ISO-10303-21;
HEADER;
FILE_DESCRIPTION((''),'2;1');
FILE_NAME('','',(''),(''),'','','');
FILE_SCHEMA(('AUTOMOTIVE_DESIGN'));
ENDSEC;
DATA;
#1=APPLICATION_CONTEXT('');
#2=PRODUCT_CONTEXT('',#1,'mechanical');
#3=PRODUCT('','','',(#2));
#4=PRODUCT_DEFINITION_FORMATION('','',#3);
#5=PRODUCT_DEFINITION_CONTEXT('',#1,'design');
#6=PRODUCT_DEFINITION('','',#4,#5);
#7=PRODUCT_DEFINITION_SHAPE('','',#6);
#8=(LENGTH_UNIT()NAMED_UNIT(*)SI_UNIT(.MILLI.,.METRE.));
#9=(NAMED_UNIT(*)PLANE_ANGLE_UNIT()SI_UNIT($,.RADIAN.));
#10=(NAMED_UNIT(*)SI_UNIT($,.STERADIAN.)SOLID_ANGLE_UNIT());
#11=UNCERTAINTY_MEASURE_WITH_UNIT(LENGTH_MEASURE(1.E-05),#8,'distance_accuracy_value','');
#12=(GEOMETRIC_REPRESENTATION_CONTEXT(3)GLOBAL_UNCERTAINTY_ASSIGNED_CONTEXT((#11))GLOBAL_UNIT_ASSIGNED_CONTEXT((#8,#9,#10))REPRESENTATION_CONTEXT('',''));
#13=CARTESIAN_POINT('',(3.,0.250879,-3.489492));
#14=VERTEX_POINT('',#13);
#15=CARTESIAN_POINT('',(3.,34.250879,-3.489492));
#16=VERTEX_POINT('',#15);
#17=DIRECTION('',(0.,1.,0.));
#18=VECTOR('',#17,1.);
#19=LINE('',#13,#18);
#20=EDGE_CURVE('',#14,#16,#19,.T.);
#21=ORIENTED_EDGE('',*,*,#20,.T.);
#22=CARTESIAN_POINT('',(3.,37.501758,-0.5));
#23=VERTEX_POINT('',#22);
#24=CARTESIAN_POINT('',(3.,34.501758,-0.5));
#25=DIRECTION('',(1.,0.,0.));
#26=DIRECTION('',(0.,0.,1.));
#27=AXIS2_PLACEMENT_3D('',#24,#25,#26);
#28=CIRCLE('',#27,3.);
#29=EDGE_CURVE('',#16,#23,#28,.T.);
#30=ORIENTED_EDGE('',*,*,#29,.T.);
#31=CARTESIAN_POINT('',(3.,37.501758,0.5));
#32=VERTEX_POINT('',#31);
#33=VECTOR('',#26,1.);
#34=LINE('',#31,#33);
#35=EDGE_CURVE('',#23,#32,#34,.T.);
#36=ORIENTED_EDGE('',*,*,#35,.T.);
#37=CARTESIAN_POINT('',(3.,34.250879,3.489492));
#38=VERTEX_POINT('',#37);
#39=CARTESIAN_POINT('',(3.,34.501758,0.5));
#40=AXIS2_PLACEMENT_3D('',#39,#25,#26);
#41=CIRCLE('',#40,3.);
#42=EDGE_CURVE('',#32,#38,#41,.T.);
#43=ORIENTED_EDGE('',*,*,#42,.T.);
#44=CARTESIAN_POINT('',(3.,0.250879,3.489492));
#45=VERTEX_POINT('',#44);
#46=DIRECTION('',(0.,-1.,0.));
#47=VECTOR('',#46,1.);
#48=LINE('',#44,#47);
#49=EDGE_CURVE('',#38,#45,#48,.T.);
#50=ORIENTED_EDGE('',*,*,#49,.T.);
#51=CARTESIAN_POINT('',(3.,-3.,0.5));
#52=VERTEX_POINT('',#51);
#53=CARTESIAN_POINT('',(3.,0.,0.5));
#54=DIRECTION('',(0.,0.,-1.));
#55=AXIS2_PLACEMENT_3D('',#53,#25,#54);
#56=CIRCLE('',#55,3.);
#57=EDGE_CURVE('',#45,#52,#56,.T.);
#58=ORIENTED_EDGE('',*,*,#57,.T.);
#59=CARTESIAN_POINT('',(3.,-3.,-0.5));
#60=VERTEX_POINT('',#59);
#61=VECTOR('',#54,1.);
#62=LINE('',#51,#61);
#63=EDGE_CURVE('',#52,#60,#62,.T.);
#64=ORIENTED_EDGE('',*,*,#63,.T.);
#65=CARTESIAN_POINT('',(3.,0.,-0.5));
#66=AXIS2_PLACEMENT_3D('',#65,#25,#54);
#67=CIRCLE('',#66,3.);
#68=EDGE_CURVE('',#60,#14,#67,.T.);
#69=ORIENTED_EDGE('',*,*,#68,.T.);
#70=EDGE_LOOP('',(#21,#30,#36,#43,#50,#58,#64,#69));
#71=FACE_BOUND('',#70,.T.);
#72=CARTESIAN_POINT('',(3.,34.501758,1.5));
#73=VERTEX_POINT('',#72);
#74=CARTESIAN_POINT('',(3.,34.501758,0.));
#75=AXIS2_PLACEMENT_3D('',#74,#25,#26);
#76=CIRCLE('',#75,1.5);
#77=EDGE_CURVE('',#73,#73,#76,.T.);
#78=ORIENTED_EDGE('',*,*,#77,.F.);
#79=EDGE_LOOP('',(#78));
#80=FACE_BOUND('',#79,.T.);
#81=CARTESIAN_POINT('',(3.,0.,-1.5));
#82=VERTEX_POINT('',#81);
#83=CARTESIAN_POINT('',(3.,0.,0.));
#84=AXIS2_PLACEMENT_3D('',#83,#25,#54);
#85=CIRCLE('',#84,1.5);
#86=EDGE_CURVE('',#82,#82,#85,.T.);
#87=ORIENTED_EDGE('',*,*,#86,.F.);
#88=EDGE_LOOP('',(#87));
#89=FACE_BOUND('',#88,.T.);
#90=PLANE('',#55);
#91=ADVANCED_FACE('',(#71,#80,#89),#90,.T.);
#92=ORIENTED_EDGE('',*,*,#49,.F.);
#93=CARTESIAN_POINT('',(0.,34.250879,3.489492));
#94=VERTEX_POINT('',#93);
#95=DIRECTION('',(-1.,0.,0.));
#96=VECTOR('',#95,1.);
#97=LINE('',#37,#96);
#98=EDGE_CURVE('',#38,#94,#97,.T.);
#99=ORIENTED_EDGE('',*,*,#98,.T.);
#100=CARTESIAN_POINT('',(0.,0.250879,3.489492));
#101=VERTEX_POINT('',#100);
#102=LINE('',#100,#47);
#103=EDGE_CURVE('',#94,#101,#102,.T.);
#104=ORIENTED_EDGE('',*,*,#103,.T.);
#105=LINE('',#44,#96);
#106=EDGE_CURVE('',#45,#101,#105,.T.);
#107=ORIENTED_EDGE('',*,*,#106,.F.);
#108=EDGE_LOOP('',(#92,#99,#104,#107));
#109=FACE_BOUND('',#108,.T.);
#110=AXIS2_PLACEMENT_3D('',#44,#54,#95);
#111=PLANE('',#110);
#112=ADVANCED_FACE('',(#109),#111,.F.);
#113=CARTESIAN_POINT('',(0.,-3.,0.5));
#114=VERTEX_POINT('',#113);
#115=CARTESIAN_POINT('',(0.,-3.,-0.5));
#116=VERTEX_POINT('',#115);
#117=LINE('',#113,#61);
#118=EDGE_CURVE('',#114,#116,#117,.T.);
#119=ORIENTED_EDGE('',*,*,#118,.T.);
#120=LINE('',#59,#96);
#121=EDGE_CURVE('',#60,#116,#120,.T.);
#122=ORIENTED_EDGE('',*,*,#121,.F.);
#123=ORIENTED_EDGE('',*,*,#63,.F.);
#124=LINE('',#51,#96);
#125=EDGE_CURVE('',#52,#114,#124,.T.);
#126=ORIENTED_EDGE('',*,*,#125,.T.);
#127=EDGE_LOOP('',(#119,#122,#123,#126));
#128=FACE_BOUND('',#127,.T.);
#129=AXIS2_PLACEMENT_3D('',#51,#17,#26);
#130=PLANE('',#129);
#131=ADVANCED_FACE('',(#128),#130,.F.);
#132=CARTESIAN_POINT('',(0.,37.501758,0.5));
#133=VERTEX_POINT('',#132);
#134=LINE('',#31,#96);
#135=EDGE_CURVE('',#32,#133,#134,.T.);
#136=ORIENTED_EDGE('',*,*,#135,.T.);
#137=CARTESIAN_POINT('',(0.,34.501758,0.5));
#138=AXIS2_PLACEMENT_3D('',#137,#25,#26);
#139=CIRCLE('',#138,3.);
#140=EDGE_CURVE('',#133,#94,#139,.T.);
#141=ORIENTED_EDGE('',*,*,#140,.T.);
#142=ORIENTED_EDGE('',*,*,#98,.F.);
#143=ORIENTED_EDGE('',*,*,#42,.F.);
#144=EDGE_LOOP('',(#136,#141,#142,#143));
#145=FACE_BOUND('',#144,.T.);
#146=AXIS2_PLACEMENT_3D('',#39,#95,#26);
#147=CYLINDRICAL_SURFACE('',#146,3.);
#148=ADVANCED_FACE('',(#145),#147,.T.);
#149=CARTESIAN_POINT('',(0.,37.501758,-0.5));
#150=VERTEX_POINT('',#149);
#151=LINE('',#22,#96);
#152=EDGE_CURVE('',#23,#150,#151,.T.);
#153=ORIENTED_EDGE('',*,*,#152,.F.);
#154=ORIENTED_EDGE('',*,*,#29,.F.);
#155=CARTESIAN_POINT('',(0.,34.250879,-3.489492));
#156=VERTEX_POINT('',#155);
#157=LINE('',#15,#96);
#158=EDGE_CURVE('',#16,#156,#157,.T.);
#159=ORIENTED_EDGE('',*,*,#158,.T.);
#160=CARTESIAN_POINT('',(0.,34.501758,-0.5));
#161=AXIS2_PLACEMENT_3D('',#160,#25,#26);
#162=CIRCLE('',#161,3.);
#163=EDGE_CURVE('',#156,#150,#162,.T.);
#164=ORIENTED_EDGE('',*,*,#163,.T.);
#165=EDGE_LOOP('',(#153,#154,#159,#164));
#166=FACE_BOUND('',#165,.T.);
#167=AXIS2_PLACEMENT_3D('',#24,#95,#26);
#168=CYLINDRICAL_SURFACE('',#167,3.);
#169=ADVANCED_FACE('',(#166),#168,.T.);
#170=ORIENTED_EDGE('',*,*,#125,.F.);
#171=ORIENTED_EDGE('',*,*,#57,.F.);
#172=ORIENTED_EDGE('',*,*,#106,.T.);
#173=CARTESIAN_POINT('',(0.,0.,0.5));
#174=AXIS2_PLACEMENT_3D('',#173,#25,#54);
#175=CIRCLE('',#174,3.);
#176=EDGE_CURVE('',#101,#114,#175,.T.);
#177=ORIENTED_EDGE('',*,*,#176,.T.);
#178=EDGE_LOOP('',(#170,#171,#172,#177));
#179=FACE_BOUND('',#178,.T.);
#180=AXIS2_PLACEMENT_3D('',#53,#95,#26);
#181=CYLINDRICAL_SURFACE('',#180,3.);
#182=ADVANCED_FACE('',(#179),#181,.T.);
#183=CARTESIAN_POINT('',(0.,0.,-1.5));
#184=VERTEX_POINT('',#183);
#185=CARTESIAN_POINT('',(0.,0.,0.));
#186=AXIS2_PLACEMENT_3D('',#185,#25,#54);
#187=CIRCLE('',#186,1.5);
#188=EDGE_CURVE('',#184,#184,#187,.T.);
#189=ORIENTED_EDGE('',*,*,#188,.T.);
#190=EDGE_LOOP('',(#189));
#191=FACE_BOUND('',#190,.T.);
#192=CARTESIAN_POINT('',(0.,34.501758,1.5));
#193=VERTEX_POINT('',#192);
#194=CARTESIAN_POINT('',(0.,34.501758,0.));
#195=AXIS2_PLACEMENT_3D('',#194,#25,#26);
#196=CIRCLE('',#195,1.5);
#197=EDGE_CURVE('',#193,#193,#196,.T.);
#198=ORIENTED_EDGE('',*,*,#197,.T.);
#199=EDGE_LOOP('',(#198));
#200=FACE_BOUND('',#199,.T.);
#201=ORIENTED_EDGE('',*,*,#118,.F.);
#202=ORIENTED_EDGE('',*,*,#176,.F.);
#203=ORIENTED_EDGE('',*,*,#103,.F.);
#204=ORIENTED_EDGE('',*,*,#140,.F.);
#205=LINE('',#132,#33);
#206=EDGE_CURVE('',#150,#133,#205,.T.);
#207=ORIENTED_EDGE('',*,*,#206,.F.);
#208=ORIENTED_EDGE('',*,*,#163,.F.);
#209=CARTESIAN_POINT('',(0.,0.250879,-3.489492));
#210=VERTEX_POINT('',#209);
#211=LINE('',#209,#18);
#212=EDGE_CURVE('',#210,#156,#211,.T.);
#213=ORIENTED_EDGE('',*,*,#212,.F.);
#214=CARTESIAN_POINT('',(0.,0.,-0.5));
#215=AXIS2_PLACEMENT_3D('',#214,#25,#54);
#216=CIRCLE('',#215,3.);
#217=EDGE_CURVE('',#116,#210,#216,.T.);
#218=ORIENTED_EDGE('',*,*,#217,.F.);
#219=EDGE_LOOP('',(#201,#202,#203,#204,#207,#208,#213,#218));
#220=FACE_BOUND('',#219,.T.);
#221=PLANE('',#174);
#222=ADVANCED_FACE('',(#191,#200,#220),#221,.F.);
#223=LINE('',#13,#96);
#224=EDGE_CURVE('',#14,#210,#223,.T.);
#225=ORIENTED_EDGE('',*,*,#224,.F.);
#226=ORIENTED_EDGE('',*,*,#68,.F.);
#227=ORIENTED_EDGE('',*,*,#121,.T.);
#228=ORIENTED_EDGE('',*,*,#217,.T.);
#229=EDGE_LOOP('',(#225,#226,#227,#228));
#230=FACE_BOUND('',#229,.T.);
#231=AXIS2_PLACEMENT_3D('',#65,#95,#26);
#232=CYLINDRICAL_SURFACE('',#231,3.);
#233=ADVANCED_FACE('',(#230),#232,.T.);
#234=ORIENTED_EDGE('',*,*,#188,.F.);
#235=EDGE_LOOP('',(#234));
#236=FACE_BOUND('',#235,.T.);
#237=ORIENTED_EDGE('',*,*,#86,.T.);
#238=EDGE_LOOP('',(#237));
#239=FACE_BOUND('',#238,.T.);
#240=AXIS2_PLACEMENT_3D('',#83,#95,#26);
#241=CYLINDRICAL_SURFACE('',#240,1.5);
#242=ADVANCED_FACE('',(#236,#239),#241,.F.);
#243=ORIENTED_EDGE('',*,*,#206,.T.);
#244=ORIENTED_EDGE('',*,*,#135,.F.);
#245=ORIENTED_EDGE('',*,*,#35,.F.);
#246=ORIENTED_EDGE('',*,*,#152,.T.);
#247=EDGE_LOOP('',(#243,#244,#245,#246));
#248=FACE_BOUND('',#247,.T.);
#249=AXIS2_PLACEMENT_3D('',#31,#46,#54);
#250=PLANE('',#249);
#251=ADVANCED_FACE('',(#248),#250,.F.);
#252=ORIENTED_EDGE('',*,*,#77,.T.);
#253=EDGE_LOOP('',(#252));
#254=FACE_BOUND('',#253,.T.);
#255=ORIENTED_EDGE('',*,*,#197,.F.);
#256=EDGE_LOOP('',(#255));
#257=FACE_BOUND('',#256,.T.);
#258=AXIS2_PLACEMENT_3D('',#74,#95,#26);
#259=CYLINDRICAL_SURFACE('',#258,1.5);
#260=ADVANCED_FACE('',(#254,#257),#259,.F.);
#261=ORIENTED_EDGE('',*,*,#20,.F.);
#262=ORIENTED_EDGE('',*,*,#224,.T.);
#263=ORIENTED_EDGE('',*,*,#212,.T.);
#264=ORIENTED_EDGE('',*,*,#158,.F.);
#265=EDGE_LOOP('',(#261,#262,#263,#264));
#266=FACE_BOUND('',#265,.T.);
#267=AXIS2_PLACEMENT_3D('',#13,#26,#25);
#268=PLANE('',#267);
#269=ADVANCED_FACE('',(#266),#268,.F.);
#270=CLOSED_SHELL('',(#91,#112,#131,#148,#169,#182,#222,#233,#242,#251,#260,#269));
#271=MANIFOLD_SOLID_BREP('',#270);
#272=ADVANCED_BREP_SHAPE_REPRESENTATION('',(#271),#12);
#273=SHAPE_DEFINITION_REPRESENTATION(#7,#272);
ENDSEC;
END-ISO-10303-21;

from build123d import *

# Parameters (mm, degrees)
SKETCH1_R           = 1.5
BOSS_EXTRUDE1_DEPTH = 3


with BuildPart() as part:
    # Sketch1 → Boss-Extrude1 (new body)
    with BuildSketch(Plane(origin=(0, 0, 0), x_dir=(0, 0, -1), z_dir=(1, 0, 0))):
        with BuildLine():
            Line((-0.5, -3), (0.5, -3))
            ThreePointArc((0.5, -3), (2.708238703, -2.030685064), (3.489491568, 0.250878781))
            Line((3.489491568, 0.250878781), (3.489491568, 34.250878781))
            ThreePointArc((3.489491568, 34.250878781), (2.708238703, 36.532442626), (0.5, 37.501757562))
            Line((0.5, 37.501757562), (-0.5, 37.501757562))
            ThreePointArc((-0.5, 37.501757562), (-2.708238703, 36.532442626), (-3.489491568, 34.250878781))
            Line((-3.489491568, 34.250878781), (-3.489491568, 0.250878781))
            ThreePointArc((-3.489491568, 0.250878781), (-2.708238703, -2.030685064), (-0.5, -3))
        make_face()
        Circle(SKETCH1_R, mode=Mode.SUBTRACT)
        with Locations(Location((0, 34.501757562, 0), (0, 0, 180))):
            Circle(SKETCH1_R, mode=Mode.SUBTRACT)
    extrude(amount=BOSS_EXTRUDE1_DEPTH)


solid = part.part
